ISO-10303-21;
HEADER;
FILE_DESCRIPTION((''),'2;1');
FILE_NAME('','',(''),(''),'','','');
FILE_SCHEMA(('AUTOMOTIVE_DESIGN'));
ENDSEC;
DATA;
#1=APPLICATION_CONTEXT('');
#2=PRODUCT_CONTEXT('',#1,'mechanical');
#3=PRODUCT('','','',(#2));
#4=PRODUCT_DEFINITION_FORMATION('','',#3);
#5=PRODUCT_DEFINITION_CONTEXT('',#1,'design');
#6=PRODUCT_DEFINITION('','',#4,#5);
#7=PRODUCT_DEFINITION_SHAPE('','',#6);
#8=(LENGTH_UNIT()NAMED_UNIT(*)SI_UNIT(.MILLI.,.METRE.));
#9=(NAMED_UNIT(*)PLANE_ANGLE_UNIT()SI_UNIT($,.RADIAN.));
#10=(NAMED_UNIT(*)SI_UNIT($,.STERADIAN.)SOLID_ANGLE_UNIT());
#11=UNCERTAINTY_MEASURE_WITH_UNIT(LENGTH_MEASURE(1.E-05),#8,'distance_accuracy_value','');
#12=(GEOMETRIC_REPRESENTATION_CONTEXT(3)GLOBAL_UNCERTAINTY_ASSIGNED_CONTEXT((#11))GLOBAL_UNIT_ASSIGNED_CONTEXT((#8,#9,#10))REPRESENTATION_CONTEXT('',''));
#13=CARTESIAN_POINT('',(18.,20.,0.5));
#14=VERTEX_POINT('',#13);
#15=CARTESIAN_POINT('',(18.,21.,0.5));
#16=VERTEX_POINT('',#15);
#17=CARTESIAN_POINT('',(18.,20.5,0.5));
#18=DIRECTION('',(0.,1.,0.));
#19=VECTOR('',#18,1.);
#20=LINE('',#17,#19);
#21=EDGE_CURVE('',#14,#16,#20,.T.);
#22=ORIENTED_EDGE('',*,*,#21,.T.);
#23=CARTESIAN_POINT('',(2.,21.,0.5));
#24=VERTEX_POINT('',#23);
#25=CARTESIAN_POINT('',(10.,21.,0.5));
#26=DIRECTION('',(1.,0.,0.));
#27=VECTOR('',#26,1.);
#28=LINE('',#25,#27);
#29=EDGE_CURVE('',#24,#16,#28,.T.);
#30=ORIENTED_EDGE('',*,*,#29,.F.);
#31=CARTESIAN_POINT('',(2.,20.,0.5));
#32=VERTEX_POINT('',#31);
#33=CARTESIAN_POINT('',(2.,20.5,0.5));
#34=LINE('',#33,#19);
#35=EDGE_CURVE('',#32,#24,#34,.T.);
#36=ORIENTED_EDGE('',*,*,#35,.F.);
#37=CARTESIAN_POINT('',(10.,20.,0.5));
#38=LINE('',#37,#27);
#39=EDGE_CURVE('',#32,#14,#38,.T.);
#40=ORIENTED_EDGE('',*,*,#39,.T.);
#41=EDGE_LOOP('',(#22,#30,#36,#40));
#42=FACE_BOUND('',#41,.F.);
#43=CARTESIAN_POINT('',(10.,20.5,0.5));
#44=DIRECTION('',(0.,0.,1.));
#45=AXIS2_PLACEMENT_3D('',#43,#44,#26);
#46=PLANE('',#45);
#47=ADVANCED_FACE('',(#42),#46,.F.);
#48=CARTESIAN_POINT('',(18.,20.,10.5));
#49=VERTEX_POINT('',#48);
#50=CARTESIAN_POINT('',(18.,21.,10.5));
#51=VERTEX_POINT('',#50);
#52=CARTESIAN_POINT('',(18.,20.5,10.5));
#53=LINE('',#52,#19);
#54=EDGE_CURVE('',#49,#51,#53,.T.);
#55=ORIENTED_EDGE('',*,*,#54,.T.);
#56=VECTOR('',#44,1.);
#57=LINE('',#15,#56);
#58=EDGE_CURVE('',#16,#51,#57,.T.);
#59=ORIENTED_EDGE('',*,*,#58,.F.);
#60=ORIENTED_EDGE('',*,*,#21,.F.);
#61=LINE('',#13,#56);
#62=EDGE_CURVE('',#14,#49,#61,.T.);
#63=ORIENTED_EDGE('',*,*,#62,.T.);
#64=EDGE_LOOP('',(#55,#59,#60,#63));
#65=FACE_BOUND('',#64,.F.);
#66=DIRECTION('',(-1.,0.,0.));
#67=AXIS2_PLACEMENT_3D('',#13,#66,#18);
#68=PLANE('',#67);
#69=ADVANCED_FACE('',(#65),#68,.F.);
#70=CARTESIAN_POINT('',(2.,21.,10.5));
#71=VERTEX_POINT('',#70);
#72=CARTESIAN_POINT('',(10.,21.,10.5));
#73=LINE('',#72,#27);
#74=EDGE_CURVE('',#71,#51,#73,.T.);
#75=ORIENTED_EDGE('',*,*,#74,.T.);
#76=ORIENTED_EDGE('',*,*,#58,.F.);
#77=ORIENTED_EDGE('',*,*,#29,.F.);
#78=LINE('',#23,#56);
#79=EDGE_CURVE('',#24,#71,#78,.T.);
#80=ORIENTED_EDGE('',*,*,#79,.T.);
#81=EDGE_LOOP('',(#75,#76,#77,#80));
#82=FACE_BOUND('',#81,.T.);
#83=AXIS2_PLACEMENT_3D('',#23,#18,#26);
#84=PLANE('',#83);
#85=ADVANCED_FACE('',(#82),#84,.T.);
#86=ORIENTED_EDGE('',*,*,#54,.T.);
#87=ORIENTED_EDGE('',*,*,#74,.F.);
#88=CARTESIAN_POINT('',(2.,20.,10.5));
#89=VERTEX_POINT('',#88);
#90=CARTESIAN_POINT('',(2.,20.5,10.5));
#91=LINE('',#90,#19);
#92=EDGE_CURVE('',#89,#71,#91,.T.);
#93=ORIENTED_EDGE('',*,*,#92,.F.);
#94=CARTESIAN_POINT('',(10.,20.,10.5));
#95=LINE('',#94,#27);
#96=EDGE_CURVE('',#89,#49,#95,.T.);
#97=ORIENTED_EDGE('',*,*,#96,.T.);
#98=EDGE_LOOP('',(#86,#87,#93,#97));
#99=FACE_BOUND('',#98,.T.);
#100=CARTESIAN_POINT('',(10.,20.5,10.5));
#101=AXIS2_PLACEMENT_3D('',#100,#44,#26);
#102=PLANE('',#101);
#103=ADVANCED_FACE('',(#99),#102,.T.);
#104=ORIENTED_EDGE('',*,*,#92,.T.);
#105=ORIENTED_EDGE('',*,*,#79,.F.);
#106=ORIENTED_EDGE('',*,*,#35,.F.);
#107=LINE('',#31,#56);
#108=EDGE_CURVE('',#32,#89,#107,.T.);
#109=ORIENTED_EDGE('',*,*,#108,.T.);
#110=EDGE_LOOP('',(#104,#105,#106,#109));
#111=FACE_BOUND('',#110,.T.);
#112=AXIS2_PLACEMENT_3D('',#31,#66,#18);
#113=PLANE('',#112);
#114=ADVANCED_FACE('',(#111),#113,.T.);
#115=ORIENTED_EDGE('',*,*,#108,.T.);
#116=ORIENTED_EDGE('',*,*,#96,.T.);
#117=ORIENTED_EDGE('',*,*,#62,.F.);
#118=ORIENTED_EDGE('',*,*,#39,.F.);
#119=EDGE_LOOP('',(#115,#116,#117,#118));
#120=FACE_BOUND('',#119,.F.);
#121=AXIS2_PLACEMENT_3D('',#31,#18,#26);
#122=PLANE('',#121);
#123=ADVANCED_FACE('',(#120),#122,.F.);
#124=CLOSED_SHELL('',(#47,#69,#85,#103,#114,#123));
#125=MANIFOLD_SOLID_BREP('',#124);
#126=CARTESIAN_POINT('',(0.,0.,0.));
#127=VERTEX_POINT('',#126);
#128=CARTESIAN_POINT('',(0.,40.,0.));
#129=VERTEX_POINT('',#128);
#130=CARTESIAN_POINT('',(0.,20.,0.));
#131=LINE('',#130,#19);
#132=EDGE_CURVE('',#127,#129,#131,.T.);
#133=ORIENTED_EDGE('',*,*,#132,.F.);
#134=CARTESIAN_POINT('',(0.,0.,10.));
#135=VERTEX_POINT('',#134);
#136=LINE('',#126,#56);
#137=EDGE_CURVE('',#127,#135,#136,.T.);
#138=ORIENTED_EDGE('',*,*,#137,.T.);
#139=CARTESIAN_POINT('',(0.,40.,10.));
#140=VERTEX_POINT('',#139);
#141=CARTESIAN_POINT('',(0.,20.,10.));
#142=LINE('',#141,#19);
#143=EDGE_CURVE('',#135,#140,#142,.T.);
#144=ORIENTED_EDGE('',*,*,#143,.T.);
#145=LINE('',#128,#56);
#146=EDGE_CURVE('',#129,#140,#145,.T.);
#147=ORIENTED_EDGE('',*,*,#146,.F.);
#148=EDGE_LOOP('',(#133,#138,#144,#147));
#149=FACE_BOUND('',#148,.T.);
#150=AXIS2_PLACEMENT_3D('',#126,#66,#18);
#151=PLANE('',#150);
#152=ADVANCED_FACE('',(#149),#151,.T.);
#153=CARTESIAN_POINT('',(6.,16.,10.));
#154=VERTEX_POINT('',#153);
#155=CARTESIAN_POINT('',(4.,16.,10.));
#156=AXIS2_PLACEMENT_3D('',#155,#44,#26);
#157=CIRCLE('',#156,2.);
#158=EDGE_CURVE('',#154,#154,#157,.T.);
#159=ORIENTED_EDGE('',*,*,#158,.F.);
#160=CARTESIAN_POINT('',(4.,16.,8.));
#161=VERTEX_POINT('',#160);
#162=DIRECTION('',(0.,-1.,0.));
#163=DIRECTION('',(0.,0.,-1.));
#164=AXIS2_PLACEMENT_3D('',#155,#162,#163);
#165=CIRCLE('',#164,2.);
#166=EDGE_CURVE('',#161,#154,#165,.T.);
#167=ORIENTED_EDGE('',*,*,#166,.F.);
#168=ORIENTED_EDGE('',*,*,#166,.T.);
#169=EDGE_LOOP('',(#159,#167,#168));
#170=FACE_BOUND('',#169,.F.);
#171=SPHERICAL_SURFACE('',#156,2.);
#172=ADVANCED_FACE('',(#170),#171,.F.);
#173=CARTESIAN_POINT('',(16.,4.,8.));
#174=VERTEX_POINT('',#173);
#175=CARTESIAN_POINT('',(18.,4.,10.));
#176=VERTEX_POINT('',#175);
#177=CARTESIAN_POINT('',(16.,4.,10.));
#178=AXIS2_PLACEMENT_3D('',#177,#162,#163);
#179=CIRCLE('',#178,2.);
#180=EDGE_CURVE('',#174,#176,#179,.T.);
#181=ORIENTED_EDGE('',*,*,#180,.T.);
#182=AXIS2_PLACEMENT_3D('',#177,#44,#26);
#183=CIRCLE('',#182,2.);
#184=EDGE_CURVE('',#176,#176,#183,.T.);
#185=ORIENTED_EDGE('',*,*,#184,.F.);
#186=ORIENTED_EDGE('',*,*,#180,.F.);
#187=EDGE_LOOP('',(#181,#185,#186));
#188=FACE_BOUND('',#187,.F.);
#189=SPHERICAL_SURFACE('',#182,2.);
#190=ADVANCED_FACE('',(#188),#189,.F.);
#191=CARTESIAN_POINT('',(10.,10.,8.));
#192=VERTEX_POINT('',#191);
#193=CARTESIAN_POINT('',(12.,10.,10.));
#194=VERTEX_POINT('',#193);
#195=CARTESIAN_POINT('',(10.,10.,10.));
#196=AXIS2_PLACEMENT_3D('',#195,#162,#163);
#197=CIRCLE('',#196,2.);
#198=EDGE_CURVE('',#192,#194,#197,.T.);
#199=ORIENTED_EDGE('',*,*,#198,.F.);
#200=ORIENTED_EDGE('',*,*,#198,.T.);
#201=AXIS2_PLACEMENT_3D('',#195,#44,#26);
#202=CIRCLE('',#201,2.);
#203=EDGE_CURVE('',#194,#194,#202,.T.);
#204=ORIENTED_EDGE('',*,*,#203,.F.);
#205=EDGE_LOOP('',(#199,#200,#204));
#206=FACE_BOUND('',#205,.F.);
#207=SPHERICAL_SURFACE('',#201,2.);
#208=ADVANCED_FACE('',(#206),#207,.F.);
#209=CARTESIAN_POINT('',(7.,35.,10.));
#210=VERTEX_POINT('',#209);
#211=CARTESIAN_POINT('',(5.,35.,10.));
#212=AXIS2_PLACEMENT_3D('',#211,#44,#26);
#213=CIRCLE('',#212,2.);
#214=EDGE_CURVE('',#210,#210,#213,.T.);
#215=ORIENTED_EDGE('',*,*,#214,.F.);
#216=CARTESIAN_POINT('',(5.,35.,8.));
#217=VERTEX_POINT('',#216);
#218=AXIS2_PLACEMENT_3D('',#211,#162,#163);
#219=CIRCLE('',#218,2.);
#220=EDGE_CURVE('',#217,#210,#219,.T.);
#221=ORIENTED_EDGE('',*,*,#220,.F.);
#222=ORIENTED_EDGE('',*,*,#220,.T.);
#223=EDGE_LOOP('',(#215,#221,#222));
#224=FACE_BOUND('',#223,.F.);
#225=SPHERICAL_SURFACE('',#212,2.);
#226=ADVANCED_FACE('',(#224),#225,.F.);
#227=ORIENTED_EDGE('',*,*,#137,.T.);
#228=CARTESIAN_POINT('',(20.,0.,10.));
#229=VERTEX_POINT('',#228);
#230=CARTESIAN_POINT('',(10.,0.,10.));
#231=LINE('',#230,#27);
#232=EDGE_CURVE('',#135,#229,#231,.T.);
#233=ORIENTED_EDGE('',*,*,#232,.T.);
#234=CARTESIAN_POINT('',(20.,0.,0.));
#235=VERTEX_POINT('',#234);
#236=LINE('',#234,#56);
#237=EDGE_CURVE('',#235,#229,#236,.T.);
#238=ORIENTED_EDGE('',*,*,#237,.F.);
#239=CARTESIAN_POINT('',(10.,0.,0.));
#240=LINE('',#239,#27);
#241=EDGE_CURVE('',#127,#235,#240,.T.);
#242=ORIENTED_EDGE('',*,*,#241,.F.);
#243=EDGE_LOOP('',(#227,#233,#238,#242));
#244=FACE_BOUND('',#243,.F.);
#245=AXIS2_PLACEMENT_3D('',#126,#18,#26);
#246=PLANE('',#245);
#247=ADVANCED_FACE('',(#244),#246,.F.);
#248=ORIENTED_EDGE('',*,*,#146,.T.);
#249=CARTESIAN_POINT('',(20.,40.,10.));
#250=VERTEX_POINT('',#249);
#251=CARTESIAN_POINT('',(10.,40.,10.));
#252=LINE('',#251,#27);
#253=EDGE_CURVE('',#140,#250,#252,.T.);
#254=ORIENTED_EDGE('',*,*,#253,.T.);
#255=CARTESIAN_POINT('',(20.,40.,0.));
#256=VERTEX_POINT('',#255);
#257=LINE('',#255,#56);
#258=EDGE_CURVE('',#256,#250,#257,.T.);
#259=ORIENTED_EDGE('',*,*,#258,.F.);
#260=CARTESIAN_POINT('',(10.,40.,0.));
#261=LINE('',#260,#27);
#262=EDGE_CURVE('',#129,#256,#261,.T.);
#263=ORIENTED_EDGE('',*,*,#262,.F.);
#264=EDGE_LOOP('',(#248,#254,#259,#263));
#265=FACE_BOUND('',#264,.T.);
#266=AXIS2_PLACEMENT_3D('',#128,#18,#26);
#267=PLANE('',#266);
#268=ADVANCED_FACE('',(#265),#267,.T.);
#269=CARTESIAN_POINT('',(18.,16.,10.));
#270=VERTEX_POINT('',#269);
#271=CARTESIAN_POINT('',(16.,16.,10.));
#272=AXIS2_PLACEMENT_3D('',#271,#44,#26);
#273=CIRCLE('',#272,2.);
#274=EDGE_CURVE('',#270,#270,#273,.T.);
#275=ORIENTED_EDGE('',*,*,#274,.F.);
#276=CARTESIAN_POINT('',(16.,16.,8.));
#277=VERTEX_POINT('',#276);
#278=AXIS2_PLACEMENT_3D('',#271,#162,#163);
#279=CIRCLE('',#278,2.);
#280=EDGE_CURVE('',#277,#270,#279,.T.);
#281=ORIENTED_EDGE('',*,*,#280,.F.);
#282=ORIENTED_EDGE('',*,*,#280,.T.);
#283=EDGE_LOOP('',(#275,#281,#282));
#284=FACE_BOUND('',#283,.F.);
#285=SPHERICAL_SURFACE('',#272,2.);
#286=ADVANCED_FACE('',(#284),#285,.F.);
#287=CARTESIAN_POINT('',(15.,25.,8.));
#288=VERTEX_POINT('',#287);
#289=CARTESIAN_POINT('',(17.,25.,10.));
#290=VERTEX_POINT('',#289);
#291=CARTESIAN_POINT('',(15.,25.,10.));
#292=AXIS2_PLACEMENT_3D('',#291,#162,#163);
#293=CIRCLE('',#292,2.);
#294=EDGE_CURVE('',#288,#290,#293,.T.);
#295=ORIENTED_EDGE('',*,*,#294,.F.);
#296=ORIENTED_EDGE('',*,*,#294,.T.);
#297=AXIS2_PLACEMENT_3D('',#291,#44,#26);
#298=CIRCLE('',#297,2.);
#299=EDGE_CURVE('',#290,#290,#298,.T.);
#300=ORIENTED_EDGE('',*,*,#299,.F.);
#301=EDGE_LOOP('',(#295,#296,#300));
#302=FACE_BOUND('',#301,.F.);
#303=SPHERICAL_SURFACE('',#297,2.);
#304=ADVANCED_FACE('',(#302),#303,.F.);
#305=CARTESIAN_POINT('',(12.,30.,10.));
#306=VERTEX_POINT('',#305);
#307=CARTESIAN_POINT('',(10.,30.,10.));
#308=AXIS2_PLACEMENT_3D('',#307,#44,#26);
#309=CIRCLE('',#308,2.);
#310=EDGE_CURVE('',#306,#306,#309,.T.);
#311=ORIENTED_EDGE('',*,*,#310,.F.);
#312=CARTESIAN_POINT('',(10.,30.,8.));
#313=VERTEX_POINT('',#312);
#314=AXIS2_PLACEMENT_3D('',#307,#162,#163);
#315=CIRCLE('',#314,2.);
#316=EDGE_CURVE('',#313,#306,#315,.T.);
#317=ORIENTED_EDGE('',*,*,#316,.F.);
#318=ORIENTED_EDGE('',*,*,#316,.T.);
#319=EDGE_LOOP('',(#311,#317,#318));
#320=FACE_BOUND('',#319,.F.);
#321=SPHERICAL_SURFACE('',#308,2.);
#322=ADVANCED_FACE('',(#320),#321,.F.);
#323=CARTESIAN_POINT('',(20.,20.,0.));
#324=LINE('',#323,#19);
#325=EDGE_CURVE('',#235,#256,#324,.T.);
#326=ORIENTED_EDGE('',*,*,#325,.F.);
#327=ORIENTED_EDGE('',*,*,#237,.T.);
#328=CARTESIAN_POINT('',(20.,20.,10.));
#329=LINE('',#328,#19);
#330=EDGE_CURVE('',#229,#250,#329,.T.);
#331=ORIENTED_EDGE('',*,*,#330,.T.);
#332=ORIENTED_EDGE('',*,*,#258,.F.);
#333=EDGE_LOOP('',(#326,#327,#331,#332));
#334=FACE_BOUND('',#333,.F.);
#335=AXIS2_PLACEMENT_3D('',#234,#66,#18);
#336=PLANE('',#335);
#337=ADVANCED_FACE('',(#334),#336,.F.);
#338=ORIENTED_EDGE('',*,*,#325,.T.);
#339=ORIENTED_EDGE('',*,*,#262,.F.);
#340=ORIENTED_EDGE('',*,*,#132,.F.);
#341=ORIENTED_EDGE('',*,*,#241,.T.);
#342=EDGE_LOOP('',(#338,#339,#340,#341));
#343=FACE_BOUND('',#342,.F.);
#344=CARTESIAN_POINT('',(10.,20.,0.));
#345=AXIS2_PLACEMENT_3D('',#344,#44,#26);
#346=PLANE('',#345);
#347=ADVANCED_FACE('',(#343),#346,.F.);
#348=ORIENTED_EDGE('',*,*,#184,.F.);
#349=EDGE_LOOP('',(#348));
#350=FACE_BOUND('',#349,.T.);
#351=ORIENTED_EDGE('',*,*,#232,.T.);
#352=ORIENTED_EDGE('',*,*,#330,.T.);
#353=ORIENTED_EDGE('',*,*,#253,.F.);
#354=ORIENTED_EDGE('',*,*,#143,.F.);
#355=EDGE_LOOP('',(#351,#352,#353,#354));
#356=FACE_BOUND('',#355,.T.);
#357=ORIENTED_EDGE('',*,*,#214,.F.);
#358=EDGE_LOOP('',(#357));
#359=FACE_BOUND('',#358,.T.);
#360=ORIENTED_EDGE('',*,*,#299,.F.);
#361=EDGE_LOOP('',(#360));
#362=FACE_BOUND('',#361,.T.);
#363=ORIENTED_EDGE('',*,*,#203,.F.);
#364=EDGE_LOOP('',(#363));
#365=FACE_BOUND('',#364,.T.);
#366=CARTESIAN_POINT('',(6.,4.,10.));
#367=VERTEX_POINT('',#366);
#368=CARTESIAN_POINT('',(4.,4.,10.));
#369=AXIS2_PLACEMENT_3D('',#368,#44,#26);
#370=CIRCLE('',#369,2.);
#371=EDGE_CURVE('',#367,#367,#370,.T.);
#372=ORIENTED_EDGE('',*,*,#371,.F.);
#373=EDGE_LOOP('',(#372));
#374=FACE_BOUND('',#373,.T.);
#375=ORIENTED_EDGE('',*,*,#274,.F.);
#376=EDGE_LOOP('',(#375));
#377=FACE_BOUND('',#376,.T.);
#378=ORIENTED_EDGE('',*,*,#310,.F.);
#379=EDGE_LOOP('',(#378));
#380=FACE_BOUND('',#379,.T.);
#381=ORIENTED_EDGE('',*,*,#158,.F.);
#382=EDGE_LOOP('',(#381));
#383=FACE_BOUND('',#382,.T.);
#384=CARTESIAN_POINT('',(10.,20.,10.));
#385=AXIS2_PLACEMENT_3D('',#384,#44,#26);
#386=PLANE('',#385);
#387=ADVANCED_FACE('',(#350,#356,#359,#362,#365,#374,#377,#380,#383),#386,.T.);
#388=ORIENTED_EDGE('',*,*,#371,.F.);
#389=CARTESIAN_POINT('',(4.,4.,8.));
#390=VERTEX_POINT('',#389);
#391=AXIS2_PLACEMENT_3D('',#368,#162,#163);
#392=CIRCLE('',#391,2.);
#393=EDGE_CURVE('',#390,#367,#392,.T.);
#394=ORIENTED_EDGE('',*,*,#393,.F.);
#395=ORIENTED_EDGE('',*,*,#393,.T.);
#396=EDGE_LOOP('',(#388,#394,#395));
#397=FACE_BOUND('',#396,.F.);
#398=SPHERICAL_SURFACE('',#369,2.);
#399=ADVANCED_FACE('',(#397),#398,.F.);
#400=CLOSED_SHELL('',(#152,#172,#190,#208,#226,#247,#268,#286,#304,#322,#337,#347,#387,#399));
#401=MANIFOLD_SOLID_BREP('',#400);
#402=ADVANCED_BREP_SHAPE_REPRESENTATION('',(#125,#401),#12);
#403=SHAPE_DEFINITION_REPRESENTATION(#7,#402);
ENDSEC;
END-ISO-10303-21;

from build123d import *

# Parameters (mm, degrees)
BOX001_W     = 16
BOX001_H     = 1
BOX001_DEPTH = 10
BOX_W        = 20
BOX_H        = 40
BOX_DEPTH    = 10


with BuildPart() as cub001:
    # Box001 → Box001 (new body)
    with BuildSketch(Plane(origin=(2, 20, 0.5), x_dir=(1, 0, 0), z_dir=(0, 0, 1))):
        with Locations((8, 0.5)):
            Rectangle(BOX001_W, BOX001_H)
    extrude(amount=BOX001_DEPTH)


with BuildPart() as esfera006:
    # Sphere006 → Sphere006 (revolve)
    with BuildSketch(Plane(origin=(15, 25, 10), x_dir=(1, 0, 0), z_dir=(0, -1, 0))):
        with BuildLine():
            ThreePointArc((0, -2), (2, 0), (0, 2))
            Line((0, 2), (0, -2))
        make_face()
    revolve(axis=Axis((15, 25, 10), (0, 0, 1)))


with BuildPart() as esfera007:
    # Sphere007 → Sphere007 (revolve)
    with BuildSketch(Plane(origin=(10, 30, 10), x_dir=(1, 0, 0), z_dir=(0, -1, 0))):
        with BuildLine():
            ThreePointArc((0, -2), (2, 0), (0, 2))
            Line((0, 2), (0, -2))
        make_face()
    revolve(axis=Axis((10, 30, 10), (0, 0, 1)))


with BuildPart() as fusion001:
    # Sphere005 → Sphere005 (revolve)
    with BuildSketch(Plane(origin=(5, 35, 10), x_dir=(1, 0, 0), z_dir=(0, -1, 0))):
        with BuildLine():
            ThreePointArc((0, -2), (2, 0), (0, 2))
            Line((0, 2), (0, -2))
        make_face()
    revolve(axis=Axis((5, 35, 10), (0, 0, 1)))

    # Fusion001: union Esfera006, Esfera007
    add(esfera006.part)
    add(esfera007.part)


with BuildPart() as esfera001:
    # Sphere001 → Sphere001 (revolve)
    with BuildSketch(Plane(origin=(16, 4, 10), x_dir=(1, 0, 0), z_dir=(0, -1, 0))):
        with BuildLine():
            ThreePointArc((0, -2), (2, 0), (0, 2))
            Line((0, 2), (0, -2))
        make_face()
    revolve(axis=Axis((16, 4, 10), (0, 0, 1)))


with BuildPart() as esfera002:
    # Sphere002 → Sphere002 (revolve)
    with BuildSketch(Plane(origin=(4, 16, 10), x_dir=(1, 0, 0), z_dir=(0, -1, 0))):
        with BuildLine():
            ThreePointArc((0, -2), (2, 0), (0, 2))
            Line((0, 2), (0, -2))
        make_face()
    revolve(axis=Axis((4, 16, 10), (0, 0, 1)))


with BuildPart() as esfera003:
    # Sphere003 → Sphere003 (revolve)
    with BuildSketch(Plane(origin=(16, 16, 10), x_dir=(1, 0, 0), z_dir=(0, -1, 0))):
        with BuildLine():
            ThreePointArc((0, -2), (2, 0), (0, 2))
            Line((0, 2), (0, -2))
        make_face()
    revolve(axis=Axis((16, 16, 10), (0, 0, 1)))


with BuildPart() as esfera004:
    # Sphere004 → Sphere004 (revolve)
    with BuildSketch(Plane(origin=(10, 10, 10), x_dir=(1, 0, 0), z_dir=(0, -1, 0))):
        with BuildLine():
            ThreePointArc((0, -2), (2, 0), (0, 2))
            Line((0, 2), (0, -2))
        make_face()
    revolve(axis=Axis((10, 10, 10), (0, 0, 1)))


with BuildPart() as fusion:
    # Sphere → Sphere (revolve)
    with BuildSketch(Plane(origin=(4, 4, 10), x_dir=(1, 0, 0), z_dir=(0, -1, 0))):
        with BuildLine():
            ThreePointArc((0, -2), (2, 0), (0, 2))
            Line((0, 2), (0, -2))
        make_face()
    revolve(axis=Axis((4, 4, 10), (0, 0, 1)))

    # Fusion: union Esfera001, Esfera002, Esfera003, Esfera004
    add(esfera001.part)
    add(esfera002.part)
    add(esfera003.part)
    add(esfera004.part)


with BuildPart() as cut001:
    # Box → Box (new body)
    with BuildSketch(Plane.XY):
        with Locations((10, 20)):
            Rectangle(BOX_W, BOX_H)
    extrude(amount=BOX_DEPTH)

    # Cut: cut Fusion
    add(fusion.part, mode=Mode.SUBTRACT)

    # Cut001: cut Fusion001
    add(fusion001.part, mode=Mode.SUBTRACT)


solid = Compound([cub001.part, cut001.part])
